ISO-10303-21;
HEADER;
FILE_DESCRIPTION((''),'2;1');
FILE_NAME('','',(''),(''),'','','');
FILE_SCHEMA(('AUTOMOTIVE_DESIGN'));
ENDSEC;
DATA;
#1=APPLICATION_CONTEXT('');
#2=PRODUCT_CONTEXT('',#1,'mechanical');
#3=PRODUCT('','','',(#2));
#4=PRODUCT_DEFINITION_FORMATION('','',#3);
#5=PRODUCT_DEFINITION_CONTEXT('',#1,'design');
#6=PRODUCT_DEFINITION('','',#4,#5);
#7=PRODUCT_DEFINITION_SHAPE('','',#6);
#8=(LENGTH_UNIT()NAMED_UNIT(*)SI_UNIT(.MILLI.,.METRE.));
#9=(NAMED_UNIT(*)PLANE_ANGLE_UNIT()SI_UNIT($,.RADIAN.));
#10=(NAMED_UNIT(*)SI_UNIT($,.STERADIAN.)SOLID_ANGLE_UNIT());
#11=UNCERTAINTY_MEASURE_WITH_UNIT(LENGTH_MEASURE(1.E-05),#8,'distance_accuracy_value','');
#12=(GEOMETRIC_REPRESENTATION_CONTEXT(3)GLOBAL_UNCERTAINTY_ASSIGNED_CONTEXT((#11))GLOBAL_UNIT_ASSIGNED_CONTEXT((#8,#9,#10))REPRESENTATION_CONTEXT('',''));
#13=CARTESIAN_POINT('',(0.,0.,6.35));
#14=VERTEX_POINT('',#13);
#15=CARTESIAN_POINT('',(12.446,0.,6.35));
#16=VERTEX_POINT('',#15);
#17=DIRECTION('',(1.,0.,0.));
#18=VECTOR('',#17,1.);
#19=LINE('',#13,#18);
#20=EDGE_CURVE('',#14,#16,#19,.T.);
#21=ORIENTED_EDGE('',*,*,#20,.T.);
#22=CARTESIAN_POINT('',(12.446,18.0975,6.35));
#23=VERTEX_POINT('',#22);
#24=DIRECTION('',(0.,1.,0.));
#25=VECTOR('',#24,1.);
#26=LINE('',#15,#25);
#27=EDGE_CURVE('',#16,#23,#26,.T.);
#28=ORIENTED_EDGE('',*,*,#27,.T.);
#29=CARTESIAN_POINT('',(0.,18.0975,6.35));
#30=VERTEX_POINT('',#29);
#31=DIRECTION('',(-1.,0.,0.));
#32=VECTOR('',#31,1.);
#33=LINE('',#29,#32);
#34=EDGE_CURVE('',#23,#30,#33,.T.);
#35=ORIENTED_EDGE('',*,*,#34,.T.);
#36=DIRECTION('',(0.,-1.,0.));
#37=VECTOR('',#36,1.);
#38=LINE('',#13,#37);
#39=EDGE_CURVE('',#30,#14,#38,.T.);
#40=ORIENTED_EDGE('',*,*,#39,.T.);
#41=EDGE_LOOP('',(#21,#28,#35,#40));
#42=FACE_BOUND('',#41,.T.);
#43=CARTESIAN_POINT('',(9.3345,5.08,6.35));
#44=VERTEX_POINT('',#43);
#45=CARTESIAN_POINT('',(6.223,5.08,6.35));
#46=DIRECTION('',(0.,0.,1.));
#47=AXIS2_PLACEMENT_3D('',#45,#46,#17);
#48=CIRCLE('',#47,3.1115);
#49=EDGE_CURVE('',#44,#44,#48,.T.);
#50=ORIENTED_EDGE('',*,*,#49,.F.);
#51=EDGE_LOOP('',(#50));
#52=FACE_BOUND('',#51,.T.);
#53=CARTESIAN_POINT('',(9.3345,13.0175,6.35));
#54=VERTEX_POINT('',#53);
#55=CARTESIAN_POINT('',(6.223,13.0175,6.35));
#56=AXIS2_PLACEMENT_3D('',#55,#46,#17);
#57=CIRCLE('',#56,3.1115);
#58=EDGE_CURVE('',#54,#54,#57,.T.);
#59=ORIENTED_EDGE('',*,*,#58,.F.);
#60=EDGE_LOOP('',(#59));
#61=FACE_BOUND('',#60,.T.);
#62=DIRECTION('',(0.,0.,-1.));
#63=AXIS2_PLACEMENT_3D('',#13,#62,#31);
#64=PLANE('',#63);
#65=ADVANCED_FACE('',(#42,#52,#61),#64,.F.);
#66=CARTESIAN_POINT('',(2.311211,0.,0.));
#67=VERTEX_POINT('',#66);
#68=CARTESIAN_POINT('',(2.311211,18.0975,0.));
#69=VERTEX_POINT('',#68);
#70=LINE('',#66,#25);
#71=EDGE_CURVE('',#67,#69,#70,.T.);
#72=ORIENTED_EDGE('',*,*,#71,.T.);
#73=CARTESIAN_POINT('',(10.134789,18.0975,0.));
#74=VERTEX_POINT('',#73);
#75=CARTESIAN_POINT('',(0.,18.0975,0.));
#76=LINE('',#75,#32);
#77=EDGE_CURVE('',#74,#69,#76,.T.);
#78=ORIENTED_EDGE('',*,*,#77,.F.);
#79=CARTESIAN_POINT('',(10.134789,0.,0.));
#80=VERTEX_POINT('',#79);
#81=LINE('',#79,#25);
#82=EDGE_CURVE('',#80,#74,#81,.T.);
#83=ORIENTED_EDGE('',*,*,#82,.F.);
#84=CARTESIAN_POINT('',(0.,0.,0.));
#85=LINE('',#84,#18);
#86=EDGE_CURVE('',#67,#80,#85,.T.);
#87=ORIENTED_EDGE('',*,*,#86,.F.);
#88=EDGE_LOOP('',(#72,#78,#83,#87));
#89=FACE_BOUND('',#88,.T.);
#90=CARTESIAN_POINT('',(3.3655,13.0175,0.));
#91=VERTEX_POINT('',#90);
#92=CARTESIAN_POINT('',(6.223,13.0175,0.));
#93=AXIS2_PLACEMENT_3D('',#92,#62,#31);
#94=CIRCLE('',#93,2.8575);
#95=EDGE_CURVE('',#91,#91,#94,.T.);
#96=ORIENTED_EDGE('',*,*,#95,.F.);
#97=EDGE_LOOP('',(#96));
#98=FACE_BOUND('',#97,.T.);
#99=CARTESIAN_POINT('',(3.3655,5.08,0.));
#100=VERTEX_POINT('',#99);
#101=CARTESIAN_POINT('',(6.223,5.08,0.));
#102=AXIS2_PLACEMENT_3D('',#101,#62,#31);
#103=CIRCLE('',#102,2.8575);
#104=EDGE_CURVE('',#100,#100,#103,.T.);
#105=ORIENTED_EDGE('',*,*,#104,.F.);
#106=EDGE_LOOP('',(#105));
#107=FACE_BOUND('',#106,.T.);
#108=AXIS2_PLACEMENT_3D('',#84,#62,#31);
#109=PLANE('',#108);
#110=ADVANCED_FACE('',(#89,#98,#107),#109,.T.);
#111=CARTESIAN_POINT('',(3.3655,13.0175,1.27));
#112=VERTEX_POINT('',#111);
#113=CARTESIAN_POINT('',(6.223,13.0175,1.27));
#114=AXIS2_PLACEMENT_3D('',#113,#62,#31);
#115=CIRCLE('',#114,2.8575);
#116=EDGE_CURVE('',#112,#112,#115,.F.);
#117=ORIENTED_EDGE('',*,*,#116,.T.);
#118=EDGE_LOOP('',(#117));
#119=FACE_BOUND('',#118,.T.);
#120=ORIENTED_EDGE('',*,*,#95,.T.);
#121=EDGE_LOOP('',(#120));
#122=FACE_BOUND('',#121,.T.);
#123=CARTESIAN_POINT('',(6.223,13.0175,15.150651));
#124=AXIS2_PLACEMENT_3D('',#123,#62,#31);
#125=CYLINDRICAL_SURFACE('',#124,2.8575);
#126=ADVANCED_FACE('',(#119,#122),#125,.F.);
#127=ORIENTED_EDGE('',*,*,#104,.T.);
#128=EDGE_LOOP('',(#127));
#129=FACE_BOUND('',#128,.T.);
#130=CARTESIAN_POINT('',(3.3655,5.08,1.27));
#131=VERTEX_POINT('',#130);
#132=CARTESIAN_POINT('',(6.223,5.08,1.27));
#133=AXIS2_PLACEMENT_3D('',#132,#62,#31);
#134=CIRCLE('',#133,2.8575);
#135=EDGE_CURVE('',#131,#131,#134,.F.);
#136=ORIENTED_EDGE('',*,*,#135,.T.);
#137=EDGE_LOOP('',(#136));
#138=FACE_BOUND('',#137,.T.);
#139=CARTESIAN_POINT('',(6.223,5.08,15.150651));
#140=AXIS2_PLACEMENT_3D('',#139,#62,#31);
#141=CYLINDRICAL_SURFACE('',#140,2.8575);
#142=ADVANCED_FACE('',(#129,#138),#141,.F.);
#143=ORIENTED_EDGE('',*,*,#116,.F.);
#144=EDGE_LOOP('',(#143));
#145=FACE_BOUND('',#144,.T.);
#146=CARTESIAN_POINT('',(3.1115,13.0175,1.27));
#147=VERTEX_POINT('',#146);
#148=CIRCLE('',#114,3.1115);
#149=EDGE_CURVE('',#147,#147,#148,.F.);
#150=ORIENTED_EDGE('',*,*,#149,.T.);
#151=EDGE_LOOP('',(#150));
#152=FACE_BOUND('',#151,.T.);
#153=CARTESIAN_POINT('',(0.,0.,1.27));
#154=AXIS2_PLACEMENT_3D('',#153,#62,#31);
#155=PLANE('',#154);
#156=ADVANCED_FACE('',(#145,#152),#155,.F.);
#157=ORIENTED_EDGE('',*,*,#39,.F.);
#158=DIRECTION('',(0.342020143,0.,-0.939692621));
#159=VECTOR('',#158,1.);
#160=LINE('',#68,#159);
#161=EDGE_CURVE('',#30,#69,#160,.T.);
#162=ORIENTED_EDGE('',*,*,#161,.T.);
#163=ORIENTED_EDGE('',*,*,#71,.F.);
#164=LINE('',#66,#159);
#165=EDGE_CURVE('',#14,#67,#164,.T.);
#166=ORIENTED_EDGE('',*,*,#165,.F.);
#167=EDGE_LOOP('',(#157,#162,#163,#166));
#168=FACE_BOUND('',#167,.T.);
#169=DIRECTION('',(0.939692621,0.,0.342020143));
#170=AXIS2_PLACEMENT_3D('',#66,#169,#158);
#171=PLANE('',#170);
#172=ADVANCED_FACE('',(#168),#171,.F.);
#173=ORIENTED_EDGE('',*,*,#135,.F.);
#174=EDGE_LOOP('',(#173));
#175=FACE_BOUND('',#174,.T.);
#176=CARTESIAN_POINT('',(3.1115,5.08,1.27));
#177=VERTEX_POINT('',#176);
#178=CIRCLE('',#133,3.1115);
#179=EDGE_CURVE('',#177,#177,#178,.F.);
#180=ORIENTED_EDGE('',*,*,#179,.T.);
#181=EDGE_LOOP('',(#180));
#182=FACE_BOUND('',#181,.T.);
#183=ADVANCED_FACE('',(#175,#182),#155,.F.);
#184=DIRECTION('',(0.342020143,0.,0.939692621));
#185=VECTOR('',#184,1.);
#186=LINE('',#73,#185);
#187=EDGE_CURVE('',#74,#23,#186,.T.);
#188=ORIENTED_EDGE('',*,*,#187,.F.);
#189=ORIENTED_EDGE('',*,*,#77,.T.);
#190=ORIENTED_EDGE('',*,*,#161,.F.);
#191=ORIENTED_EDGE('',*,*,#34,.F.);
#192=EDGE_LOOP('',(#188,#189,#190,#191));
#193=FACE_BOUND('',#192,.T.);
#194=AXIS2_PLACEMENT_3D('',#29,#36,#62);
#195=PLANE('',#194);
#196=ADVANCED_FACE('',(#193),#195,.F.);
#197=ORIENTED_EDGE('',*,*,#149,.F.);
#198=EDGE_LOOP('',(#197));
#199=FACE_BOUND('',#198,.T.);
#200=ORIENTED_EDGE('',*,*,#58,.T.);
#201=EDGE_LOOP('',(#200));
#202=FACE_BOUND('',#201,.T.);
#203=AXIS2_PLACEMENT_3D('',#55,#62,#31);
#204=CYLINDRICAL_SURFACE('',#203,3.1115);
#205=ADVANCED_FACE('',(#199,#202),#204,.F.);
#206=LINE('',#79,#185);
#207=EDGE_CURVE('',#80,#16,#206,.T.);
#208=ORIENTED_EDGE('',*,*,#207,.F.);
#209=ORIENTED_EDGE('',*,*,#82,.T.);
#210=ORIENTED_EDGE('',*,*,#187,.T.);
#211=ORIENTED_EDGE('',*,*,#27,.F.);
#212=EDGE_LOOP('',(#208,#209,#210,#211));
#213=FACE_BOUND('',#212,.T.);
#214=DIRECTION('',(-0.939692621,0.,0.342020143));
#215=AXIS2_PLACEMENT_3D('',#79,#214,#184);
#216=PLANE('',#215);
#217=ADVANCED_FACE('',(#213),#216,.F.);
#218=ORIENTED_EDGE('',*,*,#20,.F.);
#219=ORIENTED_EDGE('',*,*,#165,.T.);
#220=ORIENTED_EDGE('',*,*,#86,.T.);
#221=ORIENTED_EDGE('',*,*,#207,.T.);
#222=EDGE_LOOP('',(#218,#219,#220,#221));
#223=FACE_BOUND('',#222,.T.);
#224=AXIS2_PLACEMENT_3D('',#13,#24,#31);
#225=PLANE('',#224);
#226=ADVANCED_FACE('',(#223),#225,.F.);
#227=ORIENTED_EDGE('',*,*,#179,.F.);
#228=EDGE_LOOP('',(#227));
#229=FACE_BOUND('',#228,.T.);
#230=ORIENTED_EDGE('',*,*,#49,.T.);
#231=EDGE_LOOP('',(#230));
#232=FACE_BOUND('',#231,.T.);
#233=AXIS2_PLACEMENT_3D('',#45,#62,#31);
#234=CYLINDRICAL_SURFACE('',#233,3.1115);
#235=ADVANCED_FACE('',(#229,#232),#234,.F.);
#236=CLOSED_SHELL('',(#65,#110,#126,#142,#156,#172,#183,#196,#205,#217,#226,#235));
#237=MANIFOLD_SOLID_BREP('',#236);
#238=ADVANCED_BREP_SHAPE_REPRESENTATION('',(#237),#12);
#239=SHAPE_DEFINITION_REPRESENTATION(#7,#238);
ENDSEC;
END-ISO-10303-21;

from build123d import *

# Parameters (mm, degrees)
SKETCH1_W           = 12.446
SKETCH1_H           = 18.0975
SKETCH1_R           = 3.1115
BOSS_EXTRUDE1_DEPTH = 6.35
CUT_EXTRUDE1_DEPTH  = 23.863615686
SKETCH3_R           = 3.1115
SKETCH3_R_2         = 2.8575
BOSS_EXTRUDE2_DEPTH = 1.27


with BuildPart() as part:
    # sketch1 → Boss-Extrude1 (new body)
    with BuildSketch(Plane.XY):
        with Locations((6.223, 9.04875)):
            Rectangle(SKETCH1_W, SKETCH1_H)
        with Locations((6.223, 5.08)):
            Circle(SKETCH1_R, mode=Mode.SUBTRACT)
        with Locations((6.223, 13.0175)):
            Circle(SKETCH1_R, mode=Mode.SUBTRACT)
    extrude(amount=BOSS_EXTRUDE1_DEPTH)

    # Sketch2 → Cut-Extrude1 (cut, through all)
    with BuildSketch(Plane(origin=(0, 18.0975, 0), x_dir=(1, 0, 0), z_dir=(0, 1, 0))):
        Polygon((0, -6.35), (0, 0), (2.311210988, 0), align=None)
        Polygon((12.446, -6.35), (12.446, 0), (10.134789012, 0), align=None)
    extrude(amount=-CUT_EXTRUDE1_DEPTH, mode=Mode.SUBTRACT)

    # Sketch3 → Boss-Extrude2 (add)
    # profile 1 of 2: a face of its own
    with BuildSketch(Plane(origin=(0, 0, 0), x_dir=(-1, 0, 0), z_dir=(0, 0, -1))):
        with Locations((-6.223, 5.08)):
            Circle(SKETCH3_R)
        with Locations((-6.223, 5.08)):
            Circle(SKETCH3_R_2, mode=Mode.SUBTRACT)
    # profile 2 of 2: a face of its own
    with BuildSketch(Plane(origin=(0, 0, 0), x_dir=(-1, 0, 0), z_dir=(0, 0, -1))):
        with Locations((-6.223, 13.0175)):
            Circle(SKETCH3_R)
        with Locations((-6.223, 13.0175)):
            Circle(SKETCH3_R_2, mode=Mode.SUBTRACT)
    extrude(amount=-BOSS_EXTRUDE2_DEPTH)


solid = part.part
